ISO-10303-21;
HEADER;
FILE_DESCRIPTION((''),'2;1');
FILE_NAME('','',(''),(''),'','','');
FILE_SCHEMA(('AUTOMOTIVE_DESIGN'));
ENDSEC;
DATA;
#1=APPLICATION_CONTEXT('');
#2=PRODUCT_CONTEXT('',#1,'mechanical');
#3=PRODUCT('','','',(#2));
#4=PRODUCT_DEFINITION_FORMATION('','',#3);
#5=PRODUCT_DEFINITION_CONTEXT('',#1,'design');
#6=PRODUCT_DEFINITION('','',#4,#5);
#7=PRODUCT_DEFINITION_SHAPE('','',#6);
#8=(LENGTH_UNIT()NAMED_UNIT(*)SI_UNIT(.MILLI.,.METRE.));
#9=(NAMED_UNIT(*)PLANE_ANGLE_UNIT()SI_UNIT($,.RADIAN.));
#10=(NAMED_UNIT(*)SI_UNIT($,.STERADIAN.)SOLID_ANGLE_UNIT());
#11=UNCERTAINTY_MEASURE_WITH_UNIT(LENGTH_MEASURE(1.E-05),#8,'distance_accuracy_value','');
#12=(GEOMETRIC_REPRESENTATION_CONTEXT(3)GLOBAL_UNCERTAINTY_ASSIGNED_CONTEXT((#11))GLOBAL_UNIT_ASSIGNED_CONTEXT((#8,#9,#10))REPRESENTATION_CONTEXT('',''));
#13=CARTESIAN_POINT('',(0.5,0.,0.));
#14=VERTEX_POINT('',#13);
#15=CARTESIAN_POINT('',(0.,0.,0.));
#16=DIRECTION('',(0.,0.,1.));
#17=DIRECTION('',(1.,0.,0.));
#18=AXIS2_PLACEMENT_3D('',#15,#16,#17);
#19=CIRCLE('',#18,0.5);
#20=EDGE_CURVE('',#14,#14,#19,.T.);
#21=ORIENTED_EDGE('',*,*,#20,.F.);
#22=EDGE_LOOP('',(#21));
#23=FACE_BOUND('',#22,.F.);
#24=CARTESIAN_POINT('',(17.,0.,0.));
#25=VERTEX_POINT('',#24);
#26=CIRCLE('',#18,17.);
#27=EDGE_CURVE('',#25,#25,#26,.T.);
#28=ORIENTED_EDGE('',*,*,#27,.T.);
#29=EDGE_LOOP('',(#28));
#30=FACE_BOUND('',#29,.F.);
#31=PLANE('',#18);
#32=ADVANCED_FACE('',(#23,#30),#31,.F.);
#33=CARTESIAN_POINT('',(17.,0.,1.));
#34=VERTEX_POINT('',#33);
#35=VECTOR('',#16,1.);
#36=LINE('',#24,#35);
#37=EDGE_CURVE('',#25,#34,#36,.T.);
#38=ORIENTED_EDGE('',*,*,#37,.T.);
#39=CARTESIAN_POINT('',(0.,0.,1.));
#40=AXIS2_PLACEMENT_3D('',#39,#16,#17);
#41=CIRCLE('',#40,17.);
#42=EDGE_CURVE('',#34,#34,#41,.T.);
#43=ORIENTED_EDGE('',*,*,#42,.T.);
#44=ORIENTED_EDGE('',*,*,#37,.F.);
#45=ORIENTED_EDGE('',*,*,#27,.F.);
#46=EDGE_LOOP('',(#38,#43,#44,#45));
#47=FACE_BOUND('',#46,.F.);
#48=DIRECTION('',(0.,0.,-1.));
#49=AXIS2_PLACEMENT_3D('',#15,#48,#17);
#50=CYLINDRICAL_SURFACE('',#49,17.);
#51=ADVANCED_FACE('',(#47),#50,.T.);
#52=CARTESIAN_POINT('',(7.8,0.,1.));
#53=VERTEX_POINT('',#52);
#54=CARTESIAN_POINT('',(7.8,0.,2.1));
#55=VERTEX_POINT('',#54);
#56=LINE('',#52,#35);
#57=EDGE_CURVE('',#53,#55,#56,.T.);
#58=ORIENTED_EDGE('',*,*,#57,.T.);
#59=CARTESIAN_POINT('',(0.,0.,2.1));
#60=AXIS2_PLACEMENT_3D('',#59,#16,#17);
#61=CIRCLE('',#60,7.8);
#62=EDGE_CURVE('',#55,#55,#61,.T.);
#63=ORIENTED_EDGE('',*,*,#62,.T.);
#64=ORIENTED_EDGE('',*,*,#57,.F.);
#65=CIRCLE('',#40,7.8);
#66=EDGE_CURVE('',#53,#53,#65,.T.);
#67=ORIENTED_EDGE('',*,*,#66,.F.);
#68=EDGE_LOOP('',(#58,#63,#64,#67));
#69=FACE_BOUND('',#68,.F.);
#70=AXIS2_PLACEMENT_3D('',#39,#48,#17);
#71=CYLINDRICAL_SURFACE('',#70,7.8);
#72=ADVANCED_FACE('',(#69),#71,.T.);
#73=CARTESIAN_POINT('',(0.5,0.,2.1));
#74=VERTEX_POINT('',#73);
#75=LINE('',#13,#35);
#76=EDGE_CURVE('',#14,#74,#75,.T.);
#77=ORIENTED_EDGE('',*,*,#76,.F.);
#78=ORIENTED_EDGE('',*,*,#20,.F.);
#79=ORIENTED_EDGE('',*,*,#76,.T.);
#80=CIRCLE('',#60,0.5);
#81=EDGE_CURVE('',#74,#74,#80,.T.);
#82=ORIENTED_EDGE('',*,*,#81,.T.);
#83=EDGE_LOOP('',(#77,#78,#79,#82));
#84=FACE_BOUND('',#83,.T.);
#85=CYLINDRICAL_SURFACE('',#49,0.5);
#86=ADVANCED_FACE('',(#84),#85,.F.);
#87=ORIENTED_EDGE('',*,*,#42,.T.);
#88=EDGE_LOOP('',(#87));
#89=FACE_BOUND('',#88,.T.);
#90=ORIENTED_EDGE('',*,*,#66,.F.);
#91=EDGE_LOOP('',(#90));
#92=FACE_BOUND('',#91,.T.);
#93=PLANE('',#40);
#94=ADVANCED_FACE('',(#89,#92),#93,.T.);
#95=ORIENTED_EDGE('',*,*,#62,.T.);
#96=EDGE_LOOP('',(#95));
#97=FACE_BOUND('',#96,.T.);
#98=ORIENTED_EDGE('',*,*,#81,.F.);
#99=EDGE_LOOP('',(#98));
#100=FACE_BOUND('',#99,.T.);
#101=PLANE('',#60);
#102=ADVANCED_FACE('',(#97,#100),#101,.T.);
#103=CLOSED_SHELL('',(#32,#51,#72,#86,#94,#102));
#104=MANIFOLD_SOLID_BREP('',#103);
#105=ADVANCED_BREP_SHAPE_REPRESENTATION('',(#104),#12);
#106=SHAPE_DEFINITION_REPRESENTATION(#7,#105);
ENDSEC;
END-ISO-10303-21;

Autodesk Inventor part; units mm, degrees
ref_plane "YZ Plane" through (0, 0, 0) normal (1, 0, 0) x (0, 1, 0)
ref_plane "XZ Plane" through (0, 0, 0) normal (0, 1, 0) x (-1, 0, 0)
ref_plane "XY Plane" through (0, 0, 0) normal (0, 0, 1) x (1, 0, 0)
sketch "Boceto1" plane through (0, 0, 0) normal (0, 0, 1) x (1, 0, 0)
  circle A0 centre (0, 0) radius 17
  circle A1 centre (0, 0) radius 0.5
  dimension "d0" = 34
  dimension "d1" = 1
extrude "Extrusión1" add sketch "Boceto1" along normal blind 1
sketch "Boceto2" plane through (0, 0, 1) normal (0, 0, 1) x (1, 0, 0)
  circle A0 centre (0, 0) radius 0.5 projected
  circle A1 centre (0, 0) radius 17 projected
  circle A2 centre (0, 0) radius 7.8
  dimension "d4" = 15.6
extrude "Extrusión2" add sketch "Boceto2" along normal blind 1.1 contours A2
properties part number "Rueda externa"
